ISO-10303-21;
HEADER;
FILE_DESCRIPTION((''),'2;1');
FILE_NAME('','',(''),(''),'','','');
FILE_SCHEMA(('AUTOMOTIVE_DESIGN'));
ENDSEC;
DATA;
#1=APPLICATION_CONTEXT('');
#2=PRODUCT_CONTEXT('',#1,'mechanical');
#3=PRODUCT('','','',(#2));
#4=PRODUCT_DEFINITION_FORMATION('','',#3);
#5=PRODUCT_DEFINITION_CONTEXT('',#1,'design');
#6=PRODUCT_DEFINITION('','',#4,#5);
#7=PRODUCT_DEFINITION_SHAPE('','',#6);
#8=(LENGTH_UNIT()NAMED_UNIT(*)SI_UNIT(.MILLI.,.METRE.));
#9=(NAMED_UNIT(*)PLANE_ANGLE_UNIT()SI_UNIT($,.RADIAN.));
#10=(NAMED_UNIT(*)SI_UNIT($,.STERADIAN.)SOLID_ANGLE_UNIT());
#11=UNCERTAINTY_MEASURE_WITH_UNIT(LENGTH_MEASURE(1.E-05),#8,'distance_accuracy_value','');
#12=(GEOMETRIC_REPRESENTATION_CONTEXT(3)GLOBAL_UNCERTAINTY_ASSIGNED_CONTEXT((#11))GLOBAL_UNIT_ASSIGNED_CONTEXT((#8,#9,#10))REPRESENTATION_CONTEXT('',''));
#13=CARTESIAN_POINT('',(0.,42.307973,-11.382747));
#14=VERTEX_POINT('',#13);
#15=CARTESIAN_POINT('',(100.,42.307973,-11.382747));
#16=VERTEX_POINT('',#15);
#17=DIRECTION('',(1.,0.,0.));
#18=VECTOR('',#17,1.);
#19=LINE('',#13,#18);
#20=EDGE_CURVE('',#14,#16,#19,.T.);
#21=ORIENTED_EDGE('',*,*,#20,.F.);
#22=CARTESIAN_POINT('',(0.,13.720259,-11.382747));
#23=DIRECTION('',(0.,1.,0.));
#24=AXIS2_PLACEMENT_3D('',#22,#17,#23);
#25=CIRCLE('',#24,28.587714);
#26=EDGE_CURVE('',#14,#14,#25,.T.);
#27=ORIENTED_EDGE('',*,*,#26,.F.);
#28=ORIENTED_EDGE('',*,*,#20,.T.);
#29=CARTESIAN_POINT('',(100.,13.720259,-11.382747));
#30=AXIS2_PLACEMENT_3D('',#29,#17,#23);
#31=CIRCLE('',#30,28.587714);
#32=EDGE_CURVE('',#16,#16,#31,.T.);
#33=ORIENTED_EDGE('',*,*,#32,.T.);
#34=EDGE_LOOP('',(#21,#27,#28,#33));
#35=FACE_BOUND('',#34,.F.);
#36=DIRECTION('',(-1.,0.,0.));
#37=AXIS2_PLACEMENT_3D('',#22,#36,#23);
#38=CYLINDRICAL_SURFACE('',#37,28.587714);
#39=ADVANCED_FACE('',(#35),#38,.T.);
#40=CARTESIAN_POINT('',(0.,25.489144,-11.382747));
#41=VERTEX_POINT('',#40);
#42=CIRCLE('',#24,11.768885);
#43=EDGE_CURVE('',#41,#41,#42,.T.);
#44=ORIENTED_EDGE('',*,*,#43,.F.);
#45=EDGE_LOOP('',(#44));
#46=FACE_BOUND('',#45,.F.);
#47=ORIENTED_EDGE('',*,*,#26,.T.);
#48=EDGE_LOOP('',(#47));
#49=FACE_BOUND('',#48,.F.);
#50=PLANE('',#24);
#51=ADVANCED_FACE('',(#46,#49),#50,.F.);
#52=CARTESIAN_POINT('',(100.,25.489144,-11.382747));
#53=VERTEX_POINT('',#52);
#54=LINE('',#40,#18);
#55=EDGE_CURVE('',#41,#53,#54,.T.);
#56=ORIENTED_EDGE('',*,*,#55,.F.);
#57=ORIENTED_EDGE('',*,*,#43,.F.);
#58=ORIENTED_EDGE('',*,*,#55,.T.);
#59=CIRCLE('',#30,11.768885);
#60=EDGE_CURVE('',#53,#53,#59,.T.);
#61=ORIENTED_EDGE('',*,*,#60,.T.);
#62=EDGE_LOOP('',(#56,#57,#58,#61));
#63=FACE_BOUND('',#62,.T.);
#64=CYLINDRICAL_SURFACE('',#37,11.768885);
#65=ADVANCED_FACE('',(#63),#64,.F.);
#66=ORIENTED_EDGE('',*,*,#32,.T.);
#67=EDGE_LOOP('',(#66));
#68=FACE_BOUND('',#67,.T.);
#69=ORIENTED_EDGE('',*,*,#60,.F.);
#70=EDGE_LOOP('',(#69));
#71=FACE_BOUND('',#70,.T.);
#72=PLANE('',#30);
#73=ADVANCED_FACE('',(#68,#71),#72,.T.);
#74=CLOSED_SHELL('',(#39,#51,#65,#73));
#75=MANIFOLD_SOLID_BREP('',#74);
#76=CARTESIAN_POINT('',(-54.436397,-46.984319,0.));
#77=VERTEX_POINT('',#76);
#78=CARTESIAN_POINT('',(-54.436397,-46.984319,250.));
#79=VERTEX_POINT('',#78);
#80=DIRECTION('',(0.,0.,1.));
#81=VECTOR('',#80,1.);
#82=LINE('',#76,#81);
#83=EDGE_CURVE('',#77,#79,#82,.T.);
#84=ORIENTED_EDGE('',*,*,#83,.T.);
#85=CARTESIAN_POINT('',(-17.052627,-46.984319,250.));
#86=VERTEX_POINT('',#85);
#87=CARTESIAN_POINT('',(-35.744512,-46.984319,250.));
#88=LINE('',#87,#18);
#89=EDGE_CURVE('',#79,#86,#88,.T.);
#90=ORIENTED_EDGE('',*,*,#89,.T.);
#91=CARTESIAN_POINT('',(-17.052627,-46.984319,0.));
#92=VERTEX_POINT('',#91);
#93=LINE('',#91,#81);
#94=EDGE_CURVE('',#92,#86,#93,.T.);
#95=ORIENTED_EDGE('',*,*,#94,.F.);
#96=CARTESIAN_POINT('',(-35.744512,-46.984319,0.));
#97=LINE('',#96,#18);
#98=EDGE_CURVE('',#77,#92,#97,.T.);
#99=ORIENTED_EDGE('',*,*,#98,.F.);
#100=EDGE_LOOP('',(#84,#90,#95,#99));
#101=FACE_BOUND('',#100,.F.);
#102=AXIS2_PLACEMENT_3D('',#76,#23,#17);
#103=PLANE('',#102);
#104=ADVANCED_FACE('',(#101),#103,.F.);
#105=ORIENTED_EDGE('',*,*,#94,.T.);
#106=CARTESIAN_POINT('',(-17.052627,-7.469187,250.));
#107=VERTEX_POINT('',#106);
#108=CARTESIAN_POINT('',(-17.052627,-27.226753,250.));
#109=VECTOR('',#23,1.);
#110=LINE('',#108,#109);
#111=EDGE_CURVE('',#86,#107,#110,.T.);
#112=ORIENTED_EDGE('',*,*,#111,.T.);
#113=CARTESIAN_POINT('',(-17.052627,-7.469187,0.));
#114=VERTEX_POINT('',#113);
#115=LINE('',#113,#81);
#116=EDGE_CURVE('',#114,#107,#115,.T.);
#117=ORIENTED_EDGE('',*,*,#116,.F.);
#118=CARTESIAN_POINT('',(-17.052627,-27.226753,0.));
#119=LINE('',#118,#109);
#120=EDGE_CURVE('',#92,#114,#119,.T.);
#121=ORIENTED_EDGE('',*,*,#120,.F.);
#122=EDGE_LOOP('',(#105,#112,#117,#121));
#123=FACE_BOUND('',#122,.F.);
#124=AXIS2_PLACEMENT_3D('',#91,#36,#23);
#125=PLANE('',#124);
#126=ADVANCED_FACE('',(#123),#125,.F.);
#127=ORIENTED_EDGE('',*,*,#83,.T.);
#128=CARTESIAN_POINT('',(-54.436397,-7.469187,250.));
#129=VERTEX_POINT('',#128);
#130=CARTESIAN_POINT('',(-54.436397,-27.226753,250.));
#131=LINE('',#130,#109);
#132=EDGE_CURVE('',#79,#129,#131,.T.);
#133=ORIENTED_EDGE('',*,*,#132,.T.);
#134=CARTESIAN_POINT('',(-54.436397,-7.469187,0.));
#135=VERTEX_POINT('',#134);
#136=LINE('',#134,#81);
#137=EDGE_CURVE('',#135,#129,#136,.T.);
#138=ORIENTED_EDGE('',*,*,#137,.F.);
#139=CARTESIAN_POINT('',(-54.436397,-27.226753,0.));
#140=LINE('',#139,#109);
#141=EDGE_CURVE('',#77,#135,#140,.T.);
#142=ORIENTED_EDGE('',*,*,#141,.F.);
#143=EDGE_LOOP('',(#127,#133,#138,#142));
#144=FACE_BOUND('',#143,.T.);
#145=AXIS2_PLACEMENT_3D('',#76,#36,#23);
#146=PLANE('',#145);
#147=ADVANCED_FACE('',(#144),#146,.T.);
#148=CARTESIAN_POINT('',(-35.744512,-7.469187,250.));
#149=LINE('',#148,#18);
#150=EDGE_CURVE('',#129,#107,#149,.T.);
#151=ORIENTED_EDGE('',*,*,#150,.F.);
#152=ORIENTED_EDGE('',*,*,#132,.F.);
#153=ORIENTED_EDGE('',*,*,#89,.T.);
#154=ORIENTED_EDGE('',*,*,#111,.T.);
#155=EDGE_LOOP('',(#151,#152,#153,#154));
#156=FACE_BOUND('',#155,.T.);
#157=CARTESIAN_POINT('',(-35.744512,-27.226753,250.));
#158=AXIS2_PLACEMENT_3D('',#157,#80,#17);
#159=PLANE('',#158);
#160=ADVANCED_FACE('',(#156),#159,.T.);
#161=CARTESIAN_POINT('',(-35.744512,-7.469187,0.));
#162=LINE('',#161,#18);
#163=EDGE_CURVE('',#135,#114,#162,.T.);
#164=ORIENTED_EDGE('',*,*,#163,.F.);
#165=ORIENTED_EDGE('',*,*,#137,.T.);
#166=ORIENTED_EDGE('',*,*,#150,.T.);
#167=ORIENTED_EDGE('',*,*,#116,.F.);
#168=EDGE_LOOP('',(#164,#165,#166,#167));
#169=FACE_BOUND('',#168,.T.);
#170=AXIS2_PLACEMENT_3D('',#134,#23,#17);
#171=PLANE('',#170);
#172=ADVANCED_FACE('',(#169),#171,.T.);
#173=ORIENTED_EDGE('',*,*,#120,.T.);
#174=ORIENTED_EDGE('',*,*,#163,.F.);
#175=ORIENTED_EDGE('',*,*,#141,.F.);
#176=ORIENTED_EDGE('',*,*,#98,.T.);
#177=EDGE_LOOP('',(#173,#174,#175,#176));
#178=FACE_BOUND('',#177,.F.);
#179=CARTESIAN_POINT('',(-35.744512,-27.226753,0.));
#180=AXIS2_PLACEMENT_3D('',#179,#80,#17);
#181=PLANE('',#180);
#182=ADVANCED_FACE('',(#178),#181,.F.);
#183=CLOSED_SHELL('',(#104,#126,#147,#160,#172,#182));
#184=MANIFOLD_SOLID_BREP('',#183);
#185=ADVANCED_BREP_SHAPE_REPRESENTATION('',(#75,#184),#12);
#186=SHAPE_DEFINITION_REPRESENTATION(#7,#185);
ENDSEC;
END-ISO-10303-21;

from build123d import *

# Parameters (mm, degrees)
F1_R     = 28.587714
F1_R_2   = 11.768885
F2_DEPTH = 100
F0_W     = 37.383769
F0_H     = 39.515132
F3_DEPTH = 250


with BuildPart() as f2:
    # F1 (on Right) → F2 (new body)
    with BuildSketch(Plane.YZ):
        with Locations((13.720259, -11.382747)):
            Circle(F1_R)
        with Locations((13.720259, -11.382747)):
            Circle(F1_R_2, mode=Mode.SUBTRACT)
    extrude(amount=F2_DEPTH)


with BuildPart() as f3:
    # F0 (on Top) → F3 (new body)
    with BuildSketch(Plane.XY):
        with Locations((-35.744512, -27.226753)):
            Rectangle(F0_W, F0_H)
    extrude(amount=F3_DEPTH)


solid = Compound([f2.part, f3.part])
